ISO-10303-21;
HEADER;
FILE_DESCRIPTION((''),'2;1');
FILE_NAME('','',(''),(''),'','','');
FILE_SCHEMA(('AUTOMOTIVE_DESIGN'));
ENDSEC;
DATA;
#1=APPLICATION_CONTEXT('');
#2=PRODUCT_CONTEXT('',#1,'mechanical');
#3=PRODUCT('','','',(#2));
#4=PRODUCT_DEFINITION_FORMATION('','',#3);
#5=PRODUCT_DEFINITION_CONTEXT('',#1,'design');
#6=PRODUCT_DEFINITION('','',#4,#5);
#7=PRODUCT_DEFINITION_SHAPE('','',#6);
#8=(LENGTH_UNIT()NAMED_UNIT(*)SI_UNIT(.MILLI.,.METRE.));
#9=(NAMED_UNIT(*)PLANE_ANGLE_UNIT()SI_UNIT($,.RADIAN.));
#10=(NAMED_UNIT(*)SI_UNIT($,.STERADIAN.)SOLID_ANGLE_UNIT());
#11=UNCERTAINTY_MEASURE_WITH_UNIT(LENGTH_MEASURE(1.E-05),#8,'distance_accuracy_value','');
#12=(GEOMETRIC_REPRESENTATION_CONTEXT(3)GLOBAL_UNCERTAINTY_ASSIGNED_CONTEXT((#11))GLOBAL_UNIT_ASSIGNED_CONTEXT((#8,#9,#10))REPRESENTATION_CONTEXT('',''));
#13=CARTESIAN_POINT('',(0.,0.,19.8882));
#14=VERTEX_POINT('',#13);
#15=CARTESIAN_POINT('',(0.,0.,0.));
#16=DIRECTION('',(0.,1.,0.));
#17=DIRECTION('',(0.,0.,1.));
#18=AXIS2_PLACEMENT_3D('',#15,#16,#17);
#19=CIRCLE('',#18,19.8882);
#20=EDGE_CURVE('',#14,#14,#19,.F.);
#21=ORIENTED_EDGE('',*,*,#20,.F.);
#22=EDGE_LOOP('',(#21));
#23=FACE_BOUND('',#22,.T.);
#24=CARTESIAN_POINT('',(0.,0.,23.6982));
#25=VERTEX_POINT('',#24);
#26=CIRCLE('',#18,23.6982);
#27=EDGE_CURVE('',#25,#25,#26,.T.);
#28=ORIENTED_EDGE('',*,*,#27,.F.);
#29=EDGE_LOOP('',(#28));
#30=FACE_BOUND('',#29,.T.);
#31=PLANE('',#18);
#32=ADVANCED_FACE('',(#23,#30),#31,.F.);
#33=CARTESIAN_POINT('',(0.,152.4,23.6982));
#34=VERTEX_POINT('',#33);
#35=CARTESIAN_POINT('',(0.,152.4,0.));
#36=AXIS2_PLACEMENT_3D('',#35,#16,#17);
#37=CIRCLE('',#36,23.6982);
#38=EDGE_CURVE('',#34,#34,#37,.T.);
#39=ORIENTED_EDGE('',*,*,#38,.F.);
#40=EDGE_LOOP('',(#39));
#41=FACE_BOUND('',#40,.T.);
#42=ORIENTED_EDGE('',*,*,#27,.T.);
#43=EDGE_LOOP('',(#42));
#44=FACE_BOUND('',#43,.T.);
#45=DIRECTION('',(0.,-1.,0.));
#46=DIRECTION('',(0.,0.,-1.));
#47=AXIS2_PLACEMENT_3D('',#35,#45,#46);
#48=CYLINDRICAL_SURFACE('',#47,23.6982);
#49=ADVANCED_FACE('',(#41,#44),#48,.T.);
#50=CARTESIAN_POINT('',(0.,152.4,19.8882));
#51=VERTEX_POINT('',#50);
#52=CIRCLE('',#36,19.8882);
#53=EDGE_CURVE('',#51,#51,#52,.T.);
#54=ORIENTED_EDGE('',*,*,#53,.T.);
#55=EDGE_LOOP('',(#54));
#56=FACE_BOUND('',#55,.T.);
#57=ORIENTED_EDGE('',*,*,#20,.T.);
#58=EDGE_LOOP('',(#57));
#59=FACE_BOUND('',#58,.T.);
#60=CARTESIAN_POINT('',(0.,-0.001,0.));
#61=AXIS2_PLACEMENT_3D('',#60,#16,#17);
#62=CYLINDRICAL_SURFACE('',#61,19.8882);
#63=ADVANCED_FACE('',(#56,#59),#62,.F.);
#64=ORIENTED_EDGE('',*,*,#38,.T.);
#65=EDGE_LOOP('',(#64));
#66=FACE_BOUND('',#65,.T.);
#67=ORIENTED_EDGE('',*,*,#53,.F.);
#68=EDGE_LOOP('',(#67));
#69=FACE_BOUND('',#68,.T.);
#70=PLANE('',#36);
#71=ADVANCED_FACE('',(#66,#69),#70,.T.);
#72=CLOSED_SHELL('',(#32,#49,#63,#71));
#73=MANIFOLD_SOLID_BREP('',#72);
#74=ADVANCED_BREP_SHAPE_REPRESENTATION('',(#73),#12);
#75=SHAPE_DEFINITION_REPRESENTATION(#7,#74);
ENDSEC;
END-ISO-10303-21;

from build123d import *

# Parameters (mm, degrees)
SKETCH1_R           = 23.6982
BOSS_EXTRUDE1_DEPTH = 152.4
CUT_EXTRUDE1_REACH  = 154.4
SKETCH2_R           = 19.8882


with BuildPart() as part:
    # Sketch1 → Boss-Extrude1 (new body)
    with BuildSketch(Plane(origin=(0, 0, 0), x_dir=(1, 0, 0), z_dir=(0, 1, 0))):
        Circle(SKETCH1_R)
    extrude(amount=BOSS_EXTRUDE1_DEPTH)

    # Sketch2 → Cut-Extrude1 (cut, up to next)
    with BuildSketch(Plane(origin=(0, 152.4, 0), x_dir=(1, 0, 0), z_dir=(0, 1, 0)), mode=Mode.PRIVATE) as cut_extrude1_sk1:
        Circle(SKETCH2_R)
    cut_extrude1_tool1 = extrude(cut_extrude1_sk1.sketch, amount=-CUT_EXTRUDE1_REACH, mode=Mode.PRIVATE) & part.part
    add(cut_extrude1_tool1.solids().sort_by_distance((0, 152.4, 0))[0], mode=Mode.SUBTRACT)


solid = part.part
